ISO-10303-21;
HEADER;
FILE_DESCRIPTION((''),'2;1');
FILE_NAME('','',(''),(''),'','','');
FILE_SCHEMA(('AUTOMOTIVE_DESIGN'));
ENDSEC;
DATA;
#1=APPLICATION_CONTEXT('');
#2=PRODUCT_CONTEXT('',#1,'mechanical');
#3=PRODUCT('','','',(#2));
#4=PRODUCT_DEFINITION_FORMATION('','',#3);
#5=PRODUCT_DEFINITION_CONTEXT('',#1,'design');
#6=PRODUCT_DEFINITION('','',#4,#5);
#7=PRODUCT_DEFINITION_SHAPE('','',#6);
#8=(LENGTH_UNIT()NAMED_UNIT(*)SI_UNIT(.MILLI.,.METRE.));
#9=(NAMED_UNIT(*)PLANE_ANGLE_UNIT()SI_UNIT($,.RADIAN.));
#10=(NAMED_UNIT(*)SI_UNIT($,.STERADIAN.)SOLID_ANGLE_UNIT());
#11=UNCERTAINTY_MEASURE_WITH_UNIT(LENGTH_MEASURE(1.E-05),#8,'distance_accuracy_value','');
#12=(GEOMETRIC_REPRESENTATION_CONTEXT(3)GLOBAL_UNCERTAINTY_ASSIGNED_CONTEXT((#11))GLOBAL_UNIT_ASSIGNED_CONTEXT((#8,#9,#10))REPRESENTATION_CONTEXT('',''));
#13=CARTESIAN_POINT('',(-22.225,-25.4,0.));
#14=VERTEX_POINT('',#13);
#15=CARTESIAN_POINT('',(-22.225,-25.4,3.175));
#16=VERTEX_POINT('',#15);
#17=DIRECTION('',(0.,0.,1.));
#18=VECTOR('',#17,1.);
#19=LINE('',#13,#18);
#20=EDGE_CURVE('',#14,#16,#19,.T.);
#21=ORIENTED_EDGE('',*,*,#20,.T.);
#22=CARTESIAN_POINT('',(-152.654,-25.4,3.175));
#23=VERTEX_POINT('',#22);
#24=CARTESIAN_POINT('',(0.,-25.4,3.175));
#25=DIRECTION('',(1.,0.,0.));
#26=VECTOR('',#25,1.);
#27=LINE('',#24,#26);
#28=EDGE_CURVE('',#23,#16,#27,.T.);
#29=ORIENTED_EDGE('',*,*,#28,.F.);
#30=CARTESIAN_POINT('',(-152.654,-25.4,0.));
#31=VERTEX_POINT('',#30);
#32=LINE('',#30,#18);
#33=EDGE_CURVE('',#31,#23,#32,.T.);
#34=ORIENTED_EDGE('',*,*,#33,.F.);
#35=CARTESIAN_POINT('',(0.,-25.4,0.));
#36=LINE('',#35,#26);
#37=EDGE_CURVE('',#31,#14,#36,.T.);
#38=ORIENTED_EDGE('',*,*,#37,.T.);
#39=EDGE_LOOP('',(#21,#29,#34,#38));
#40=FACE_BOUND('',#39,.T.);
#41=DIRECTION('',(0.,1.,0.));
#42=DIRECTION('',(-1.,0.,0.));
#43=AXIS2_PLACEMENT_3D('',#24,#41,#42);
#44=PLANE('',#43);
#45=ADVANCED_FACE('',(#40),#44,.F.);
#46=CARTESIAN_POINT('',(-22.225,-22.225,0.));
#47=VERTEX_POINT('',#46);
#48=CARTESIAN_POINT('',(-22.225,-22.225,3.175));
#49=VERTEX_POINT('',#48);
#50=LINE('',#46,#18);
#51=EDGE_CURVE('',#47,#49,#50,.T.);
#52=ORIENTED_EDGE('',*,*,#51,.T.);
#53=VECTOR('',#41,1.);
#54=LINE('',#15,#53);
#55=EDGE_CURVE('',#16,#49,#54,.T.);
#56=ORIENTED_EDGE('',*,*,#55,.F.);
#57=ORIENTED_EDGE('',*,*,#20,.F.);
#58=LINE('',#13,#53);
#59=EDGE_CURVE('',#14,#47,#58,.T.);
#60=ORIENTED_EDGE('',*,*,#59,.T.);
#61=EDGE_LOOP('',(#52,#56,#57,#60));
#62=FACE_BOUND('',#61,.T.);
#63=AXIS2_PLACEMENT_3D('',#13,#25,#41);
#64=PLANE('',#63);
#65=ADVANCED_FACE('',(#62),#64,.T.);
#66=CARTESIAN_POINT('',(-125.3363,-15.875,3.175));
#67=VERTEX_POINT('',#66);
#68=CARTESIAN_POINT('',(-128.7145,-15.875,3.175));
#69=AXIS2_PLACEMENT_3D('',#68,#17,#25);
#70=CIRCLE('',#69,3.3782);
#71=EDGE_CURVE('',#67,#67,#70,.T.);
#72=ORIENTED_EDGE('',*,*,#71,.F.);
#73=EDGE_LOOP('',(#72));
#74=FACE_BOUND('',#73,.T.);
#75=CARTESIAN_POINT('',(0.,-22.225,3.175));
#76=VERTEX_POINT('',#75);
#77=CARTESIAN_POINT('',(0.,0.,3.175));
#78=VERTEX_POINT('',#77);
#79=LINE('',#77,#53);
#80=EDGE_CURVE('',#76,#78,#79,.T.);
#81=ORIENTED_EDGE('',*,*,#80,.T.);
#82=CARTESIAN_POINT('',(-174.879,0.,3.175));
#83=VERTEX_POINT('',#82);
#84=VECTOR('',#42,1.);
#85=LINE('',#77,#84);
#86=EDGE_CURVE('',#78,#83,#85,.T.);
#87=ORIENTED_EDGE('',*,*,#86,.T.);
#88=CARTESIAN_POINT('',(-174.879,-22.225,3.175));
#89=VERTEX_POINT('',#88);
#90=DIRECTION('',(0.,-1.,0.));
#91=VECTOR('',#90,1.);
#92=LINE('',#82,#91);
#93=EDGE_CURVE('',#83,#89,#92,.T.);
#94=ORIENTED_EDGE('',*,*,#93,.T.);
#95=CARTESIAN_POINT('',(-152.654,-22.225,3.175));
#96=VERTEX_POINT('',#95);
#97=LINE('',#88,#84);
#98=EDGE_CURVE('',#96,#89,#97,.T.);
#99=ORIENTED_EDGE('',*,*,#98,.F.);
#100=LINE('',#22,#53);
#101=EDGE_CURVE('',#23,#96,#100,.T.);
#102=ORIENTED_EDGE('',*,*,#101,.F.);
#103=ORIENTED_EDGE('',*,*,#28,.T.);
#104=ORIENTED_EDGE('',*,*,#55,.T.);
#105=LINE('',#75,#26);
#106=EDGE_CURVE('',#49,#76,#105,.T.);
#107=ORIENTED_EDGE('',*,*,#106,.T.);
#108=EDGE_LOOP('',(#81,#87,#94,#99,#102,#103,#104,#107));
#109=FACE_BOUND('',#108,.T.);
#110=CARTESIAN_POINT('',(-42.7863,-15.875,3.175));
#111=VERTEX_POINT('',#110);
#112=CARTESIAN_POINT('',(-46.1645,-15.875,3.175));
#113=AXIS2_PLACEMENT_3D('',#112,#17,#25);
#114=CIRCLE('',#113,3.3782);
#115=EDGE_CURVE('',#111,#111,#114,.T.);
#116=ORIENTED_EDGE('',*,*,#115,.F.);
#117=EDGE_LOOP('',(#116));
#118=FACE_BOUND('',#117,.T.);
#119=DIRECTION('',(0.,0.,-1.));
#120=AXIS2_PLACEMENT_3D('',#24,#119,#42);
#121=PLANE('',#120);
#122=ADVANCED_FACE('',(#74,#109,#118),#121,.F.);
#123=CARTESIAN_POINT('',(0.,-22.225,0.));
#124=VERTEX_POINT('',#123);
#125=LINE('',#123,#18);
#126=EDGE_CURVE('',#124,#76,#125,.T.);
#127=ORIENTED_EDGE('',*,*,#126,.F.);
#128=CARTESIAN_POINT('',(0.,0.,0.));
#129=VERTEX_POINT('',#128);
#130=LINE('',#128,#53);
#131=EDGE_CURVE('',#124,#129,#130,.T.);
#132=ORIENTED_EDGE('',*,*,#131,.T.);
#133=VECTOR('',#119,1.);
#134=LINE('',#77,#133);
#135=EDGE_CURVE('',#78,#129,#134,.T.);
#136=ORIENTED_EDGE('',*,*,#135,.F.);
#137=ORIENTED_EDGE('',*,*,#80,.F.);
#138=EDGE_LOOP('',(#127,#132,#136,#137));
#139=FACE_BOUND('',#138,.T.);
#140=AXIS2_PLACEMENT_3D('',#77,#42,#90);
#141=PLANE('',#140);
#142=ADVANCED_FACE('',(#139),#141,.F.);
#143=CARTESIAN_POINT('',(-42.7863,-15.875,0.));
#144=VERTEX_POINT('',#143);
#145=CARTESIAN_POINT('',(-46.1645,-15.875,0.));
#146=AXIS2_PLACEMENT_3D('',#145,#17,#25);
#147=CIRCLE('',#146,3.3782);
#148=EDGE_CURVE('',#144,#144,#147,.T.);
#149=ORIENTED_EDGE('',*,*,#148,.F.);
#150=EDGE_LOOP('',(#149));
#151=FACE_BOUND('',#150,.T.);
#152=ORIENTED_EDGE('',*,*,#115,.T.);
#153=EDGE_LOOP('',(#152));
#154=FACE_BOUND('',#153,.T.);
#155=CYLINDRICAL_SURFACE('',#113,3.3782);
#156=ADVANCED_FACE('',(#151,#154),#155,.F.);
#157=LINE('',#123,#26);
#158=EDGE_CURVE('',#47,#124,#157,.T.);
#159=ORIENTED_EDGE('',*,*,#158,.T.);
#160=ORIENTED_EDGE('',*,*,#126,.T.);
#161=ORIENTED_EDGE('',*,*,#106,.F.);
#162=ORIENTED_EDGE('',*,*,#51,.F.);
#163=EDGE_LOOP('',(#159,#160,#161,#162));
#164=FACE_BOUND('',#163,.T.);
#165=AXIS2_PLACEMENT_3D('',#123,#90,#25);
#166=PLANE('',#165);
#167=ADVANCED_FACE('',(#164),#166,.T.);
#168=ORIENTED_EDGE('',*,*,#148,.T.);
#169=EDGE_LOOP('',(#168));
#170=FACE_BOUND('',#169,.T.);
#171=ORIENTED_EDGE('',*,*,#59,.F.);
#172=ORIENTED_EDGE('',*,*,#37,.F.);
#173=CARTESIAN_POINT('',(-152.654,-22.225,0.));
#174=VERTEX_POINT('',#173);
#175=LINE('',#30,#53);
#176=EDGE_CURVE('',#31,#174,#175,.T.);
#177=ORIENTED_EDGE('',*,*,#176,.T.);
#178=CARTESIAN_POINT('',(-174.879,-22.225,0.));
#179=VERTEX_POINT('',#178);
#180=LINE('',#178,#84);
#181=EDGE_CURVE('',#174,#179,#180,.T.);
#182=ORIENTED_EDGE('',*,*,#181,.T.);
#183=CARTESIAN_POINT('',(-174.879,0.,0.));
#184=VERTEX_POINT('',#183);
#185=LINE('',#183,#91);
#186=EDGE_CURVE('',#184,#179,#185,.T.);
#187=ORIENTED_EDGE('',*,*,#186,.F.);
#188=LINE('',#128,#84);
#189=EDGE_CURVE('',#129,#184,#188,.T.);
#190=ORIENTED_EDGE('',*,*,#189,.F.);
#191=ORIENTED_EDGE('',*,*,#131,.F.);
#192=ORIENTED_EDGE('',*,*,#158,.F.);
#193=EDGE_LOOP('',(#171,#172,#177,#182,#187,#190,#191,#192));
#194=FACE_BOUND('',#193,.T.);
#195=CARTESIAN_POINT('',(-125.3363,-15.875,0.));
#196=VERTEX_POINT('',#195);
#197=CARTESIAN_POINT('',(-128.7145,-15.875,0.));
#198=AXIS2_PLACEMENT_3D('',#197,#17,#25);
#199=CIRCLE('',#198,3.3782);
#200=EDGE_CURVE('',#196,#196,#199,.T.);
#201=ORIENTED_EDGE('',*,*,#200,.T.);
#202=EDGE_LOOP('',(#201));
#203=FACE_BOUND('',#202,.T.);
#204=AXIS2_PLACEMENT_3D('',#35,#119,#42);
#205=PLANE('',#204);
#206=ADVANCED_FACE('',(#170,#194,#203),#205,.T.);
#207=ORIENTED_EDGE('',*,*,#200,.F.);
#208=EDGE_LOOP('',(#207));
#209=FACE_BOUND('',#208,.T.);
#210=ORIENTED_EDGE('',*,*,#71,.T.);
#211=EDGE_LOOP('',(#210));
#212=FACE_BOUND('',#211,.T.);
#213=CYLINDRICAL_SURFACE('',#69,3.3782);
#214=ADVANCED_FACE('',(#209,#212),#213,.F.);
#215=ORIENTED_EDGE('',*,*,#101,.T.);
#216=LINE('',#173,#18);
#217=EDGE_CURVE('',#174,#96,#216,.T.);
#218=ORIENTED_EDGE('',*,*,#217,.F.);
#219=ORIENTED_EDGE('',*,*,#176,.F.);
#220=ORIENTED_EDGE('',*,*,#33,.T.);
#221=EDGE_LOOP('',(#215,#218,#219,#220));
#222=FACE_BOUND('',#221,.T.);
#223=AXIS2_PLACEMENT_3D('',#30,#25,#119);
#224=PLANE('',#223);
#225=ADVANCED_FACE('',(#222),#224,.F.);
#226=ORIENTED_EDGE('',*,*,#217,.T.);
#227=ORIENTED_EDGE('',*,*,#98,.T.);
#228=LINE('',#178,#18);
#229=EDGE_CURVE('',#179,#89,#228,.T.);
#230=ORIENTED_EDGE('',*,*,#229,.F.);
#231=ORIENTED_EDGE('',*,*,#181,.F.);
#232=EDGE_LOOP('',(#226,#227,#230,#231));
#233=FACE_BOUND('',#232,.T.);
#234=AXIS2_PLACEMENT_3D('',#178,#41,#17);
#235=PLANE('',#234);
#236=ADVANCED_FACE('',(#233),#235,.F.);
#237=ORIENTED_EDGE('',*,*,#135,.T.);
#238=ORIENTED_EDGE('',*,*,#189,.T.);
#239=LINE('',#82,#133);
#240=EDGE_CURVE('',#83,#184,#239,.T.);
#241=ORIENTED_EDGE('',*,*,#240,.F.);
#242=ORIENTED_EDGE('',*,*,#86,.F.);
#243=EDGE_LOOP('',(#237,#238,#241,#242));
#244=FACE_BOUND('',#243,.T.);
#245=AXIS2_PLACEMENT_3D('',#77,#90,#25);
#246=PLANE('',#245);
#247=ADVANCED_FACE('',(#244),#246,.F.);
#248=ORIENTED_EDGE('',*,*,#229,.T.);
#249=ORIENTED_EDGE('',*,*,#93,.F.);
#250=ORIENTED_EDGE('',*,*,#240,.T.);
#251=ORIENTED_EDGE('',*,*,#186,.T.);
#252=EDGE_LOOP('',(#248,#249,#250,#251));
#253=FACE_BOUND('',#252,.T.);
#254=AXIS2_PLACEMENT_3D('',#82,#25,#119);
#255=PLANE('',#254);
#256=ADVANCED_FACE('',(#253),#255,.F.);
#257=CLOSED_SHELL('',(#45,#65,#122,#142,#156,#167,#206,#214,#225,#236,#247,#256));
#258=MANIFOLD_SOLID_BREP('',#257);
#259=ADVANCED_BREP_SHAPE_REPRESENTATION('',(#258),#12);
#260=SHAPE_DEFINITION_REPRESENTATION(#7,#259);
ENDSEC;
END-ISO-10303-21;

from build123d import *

# Parameters (mm, degrees)
SKETCH1_W               = 174.879
SKETCH1_H               = 25.4
BOSS_EXTRUDE1_DEPTH     = 3.175
SKETCH2_W               = 22.225
SKETCH2_H               = 3.175
CUT_EXTRUDE1_DEPTH      = 177.742482912
F_1_4_CLEARANCE_HOLE1_D = 6.7564


with BuildPart() as part:
    # Sketch1 → Boss-Extrude1 (new body)
    with BuildSketch(Plane.XY):
        with Locations((-87.4395, -12.7)):
            Rectangle(SKETCH1_W, SKETCH1_H)
    extrude(amount=BOSS_EXTRUDE1_DEPTH)

    # Sketch2 → Cut-Extrude1 (cut, through all)
    with BuildSketch(Plane.XY.offset(3.175)):
        with Locations((-163.7665, -23.8125)):
            Rectangle(SKETCH2_W, SKETCH2_H)
    cut_extrude1 = extrude(amount=-CUT_EXTRUDE1_DEPTH, mode=Mode.SUBTRACT)

    # Mirror1: Cut-Extrude1 across plane
    add(cut_extrude1.mirror(Plane.ZY.offset(87.4395)), mode=Mode.SUBTRACT)

    # 1/4 Clearance Hole1 (through all)
    with Locations(Plane.XY.offset(3.175)):
        with Locations((-46.1645, -15.875), (-128.7145, -15.875)):
            Hole(F_1_4_CLEARANCE_HOLE1_D / 2)


solid = part.part
